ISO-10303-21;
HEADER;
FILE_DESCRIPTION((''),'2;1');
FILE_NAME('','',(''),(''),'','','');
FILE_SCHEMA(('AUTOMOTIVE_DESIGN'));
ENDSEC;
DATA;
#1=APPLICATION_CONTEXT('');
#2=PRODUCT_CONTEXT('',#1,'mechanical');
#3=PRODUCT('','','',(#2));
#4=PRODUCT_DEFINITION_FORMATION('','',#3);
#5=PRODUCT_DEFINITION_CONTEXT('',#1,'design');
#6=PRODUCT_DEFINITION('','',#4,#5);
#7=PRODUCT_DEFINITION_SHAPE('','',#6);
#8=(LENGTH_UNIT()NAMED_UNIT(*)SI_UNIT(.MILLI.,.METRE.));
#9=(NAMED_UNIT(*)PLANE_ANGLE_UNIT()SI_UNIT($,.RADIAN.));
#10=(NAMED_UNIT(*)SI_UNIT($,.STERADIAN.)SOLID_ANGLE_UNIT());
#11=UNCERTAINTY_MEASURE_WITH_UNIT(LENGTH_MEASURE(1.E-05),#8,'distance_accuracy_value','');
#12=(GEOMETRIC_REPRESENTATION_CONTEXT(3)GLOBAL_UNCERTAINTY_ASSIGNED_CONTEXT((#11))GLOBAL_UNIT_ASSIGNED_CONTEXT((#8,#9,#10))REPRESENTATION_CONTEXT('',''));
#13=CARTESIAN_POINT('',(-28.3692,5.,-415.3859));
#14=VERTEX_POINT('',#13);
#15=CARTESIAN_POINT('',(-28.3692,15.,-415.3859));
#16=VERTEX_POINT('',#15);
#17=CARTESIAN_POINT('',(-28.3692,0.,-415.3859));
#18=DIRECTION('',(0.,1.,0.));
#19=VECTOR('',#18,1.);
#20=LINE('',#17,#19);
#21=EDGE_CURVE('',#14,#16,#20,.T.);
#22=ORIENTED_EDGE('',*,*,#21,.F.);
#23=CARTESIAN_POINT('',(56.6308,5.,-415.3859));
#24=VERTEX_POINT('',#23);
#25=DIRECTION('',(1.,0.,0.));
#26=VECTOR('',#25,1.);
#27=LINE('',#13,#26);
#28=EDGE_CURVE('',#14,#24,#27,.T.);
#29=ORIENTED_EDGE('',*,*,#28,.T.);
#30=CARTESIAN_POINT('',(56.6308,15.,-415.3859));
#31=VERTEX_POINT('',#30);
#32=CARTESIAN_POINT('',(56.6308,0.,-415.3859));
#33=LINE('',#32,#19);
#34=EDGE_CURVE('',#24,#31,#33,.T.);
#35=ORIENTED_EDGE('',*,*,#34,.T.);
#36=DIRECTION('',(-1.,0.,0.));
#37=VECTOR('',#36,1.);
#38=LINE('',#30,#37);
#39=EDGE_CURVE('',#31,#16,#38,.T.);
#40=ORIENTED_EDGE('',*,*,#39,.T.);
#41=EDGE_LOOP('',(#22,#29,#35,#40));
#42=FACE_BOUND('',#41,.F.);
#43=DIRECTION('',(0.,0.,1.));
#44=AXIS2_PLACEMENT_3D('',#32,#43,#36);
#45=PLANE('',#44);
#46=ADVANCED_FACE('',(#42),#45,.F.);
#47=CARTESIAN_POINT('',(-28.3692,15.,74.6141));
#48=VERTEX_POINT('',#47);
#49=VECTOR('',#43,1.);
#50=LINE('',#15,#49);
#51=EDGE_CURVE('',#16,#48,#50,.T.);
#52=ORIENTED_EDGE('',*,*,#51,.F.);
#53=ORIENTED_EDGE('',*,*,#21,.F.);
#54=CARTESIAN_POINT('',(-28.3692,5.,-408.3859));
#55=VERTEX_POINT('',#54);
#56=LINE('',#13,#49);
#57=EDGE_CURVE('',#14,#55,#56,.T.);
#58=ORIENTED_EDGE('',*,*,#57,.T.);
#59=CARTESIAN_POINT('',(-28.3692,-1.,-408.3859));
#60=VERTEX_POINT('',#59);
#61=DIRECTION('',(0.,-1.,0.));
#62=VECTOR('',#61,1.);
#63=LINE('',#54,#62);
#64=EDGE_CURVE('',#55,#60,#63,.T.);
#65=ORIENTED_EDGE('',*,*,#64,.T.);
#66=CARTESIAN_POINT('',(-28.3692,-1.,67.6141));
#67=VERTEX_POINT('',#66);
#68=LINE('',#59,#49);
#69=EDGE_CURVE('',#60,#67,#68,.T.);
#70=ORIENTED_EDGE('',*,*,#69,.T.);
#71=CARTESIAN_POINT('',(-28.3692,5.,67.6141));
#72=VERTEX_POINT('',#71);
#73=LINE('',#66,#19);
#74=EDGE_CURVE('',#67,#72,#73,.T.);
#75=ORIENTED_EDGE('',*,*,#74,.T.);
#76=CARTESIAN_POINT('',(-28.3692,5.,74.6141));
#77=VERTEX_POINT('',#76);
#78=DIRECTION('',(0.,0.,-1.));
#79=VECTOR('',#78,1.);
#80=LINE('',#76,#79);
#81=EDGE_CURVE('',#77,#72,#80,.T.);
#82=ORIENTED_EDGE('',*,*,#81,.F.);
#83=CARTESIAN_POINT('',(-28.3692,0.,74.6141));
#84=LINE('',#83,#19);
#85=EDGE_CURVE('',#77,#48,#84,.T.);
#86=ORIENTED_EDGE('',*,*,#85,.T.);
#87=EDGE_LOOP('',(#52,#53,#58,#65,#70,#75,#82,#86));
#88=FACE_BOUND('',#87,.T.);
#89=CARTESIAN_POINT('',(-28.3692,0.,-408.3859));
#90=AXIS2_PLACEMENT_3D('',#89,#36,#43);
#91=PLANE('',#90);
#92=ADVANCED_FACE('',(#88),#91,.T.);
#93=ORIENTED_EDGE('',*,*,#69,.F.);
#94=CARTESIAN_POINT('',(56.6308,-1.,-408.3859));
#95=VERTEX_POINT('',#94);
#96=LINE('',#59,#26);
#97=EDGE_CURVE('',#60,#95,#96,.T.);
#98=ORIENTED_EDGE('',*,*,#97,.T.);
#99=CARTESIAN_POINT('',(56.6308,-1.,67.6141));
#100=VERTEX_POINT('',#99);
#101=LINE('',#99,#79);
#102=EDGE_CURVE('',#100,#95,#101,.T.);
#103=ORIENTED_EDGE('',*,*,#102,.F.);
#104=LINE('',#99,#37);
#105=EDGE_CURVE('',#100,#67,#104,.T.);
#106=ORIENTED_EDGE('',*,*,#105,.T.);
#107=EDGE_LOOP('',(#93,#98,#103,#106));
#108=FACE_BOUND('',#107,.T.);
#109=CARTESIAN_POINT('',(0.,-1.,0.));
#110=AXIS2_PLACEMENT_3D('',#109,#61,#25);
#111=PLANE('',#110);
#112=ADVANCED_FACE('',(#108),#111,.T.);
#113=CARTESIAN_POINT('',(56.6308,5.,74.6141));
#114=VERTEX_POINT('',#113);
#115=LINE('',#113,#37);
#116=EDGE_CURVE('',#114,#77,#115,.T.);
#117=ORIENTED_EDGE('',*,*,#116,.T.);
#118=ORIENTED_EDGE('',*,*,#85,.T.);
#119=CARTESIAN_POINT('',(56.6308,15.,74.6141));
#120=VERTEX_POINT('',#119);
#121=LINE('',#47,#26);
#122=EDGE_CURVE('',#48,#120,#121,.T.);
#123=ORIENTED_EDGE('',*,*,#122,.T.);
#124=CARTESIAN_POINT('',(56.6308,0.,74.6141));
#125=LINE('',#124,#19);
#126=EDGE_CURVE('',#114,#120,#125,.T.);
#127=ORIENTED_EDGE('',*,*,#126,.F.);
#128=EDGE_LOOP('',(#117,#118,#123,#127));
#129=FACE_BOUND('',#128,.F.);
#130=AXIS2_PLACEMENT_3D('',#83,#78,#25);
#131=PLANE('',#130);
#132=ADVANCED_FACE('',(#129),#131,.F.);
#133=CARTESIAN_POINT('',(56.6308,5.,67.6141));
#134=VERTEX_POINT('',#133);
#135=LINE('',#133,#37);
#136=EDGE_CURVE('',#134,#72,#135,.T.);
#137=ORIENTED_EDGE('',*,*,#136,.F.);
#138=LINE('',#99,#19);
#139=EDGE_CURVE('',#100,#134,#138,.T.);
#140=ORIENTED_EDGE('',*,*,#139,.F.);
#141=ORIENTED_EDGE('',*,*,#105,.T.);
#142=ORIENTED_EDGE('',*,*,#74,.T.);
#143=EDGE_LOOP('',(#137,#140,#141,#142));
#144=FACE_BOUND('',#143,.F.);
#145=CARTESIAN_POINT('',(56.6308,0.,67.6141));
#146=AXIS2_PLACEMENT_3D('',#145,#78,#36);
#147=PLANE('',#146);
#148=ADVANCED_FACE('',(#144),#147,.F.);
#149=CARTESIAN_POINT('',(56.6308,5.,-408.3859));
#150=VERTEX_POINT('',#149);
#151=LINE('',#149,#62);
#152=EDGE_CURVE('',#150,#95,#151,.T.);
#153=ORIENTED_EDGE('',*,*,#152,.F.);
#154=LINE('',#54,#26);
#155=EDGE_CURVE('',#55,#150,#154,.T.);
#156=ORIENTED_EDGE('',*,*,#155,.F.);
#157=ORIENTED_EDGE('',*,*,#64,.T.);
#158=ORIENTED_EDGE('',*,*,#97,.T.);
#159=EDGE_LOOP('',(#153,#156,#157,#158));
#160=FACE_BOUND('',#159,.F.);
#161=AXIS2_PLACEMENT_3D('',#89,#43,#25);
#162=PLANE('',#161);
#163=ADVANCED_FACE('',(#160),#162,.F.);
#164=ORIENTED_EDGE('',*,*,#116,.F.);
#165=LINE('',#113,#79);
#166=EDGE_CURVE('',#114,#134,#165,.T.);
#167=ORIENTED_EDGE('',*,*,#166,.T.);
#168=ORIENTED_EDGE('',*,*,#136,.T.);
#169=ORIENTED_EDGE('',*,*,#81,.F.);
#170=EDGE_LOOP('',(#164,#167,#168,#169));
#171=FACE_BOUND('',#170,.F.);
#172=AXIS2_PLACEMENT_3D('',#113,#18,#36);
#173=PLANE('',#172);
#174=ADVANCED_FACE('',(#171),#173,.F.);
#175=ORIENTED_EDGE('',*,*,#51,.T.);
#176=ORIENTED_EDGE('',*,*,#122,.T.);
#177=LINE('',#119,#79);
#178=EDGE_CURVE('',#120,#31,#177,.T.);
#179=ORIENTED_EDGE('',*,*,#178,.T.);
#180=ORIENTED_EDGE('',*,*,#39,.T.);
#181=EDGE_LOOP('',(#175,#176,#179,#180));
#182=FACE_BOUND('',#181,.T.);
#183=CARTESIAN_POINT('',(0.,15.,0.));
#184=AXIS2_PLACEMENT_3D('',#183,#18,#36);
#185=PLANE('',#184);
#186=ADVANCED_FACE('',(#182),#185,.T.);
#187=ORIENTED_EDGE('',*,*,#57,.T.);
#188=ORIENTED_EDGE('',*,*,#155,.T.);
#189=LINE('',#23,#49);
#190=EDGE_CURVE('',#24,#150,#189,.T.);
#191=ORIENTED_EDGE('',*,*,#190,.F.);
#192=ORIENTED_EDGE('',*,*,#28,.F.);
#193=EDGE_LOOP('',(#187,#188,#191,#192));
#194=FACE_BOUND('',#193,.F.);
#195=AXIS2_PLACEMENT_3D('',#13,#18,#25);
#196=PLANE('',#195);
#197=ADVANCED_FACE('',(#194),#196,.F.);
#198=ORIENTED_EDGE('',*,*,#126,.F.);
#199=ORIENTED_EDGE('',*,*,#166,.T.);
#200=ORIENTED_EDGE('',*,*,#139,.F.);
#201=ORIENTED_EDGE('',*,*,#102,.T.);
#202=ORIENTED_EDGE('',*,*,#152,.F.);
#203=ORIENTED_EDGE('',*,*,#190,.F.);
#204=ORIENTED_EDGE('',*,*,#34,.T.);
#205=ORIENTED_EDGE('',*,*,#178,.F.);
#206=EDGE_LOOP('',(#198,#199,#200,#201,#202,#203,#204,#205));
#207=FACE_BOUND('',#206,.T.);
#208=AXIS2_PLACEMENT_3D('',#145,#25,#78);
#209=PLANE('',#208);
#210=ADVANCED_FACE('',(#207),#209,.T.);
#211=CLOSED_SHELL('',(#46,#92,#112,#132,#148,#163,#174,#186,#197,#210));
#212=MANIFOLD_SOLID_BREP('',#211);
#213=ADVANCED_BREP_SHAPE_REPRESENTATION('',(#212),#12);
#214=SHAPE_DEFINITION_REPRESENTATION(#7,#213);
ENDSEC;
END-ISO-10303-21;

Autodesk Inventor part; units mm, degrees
ref_plane "YZ Plane" through (0, 0, 0) normal (1, 0, 0) x (0, 1, 0)
ref_plane "XZ Plane" through (0, 0, 0) normal (0, 1, 0) x (-1, 0, 0)
ref_plane "XY Plane" through (0, 0, 0) normal (0, 0, 1) x (1, 0, 0)
sketch "Sketch1" plane through (0, 0, 0) normal (0, 1, 0) x (-1, 0, 0)
  line L0 (28.3692, 74.6141) -> (-56.6308, 74.6141)
  line L1 (-56.6308, 74.6141) -> (-56.6308, -415.3859)
  line L2 (-56.6308, -415.3859) -> (28.3692, -415.3859)
  line L3 (28.3692, -415.3859) -> (28.3692, 74.6141)
  point P0 (0, 0)
  dimension "d0" = 85
  dimension "d1" = 490
extrude "Extrusion1" add sketch "Sketch1" along normal blind 15
sketch "Sketch2" plane through (-28.3692, 0, 74.6141) normal (0, 0, 1) x (1, 0, 0)
  line L0 (85, 0) -> (0, 0) projected
  line L1 (0, 0) -> (85, 0)
  line L2 (85, 0) -> (85, 5)
  line L3 (85, 5) -> (0, 5)
  line L4 (0, 5) -> (0, 0)
  point P0 (28.3692, 0)
  dimension "d4" = 85
  dimension "d5" = 5
extrude "Extrusion2" cut sketch "Sketch2" against normal blind 7
sketch "Sketch3" plane through (56.6308, 0, -415.3859) normal (0, 0, -1) x (-1, 0, 0)
  line L0 (85, 0) -> (85, 15) projected
  line L1 (85, 5) -> (0, 5) projected
  line L2 (85, 0) -> (0, 0)
  line L3 (0, 0) -> (0, 5)
  line L4 (0, 5) -> (85, 5)
  line L5 (85, 5) -> (85, 0)
  point P0 (56.6308, 0)
  dimension "d8" = 85
  dimension "d9" = 5
extrude "Extrusion3" cut sketch "Sketch3" against normal blind 7
sketch "Sketch4" plane through (0, 0, 0) normal (0, -1, 0) x (1, 0, 0)
  line L0 (-28.3692, -408.3859) -> (56.6308, -408.3859) projected
  line L1 (56.6308, 67.6141) -> (56.6308, -408.3859) projected
  line L2 (56.6308, 67.6141) -> (-28.3692, 67.6141) projected
  line L3 (-28.3692, -408.3859) -> (-28.3692, 67.6141) projected
  line L4 (-28.3692, 67.6141) -> (56.6308, 67.6141) projected
  line L5 (-28.3692, -408.3859) -> (-28.3692, 67.6141) projected
  line L6 (56.6308, 67.6141) -> (-28.3692, 67.6141)
  line L7 (-28.3692, 67.6141) -> (-28.3692, -408.3859)
  line L8 (-28.3692, -408.3859) -> (56.6308, -408.3859)
  line L9 (56.6308, -408.3859) -> (56.6308, 67.6141)
  point P0 (0, 0)
extrude "Extrusion4" add sketch "Sketch4" along normal blind 1
properties part number "Arcade_top"
